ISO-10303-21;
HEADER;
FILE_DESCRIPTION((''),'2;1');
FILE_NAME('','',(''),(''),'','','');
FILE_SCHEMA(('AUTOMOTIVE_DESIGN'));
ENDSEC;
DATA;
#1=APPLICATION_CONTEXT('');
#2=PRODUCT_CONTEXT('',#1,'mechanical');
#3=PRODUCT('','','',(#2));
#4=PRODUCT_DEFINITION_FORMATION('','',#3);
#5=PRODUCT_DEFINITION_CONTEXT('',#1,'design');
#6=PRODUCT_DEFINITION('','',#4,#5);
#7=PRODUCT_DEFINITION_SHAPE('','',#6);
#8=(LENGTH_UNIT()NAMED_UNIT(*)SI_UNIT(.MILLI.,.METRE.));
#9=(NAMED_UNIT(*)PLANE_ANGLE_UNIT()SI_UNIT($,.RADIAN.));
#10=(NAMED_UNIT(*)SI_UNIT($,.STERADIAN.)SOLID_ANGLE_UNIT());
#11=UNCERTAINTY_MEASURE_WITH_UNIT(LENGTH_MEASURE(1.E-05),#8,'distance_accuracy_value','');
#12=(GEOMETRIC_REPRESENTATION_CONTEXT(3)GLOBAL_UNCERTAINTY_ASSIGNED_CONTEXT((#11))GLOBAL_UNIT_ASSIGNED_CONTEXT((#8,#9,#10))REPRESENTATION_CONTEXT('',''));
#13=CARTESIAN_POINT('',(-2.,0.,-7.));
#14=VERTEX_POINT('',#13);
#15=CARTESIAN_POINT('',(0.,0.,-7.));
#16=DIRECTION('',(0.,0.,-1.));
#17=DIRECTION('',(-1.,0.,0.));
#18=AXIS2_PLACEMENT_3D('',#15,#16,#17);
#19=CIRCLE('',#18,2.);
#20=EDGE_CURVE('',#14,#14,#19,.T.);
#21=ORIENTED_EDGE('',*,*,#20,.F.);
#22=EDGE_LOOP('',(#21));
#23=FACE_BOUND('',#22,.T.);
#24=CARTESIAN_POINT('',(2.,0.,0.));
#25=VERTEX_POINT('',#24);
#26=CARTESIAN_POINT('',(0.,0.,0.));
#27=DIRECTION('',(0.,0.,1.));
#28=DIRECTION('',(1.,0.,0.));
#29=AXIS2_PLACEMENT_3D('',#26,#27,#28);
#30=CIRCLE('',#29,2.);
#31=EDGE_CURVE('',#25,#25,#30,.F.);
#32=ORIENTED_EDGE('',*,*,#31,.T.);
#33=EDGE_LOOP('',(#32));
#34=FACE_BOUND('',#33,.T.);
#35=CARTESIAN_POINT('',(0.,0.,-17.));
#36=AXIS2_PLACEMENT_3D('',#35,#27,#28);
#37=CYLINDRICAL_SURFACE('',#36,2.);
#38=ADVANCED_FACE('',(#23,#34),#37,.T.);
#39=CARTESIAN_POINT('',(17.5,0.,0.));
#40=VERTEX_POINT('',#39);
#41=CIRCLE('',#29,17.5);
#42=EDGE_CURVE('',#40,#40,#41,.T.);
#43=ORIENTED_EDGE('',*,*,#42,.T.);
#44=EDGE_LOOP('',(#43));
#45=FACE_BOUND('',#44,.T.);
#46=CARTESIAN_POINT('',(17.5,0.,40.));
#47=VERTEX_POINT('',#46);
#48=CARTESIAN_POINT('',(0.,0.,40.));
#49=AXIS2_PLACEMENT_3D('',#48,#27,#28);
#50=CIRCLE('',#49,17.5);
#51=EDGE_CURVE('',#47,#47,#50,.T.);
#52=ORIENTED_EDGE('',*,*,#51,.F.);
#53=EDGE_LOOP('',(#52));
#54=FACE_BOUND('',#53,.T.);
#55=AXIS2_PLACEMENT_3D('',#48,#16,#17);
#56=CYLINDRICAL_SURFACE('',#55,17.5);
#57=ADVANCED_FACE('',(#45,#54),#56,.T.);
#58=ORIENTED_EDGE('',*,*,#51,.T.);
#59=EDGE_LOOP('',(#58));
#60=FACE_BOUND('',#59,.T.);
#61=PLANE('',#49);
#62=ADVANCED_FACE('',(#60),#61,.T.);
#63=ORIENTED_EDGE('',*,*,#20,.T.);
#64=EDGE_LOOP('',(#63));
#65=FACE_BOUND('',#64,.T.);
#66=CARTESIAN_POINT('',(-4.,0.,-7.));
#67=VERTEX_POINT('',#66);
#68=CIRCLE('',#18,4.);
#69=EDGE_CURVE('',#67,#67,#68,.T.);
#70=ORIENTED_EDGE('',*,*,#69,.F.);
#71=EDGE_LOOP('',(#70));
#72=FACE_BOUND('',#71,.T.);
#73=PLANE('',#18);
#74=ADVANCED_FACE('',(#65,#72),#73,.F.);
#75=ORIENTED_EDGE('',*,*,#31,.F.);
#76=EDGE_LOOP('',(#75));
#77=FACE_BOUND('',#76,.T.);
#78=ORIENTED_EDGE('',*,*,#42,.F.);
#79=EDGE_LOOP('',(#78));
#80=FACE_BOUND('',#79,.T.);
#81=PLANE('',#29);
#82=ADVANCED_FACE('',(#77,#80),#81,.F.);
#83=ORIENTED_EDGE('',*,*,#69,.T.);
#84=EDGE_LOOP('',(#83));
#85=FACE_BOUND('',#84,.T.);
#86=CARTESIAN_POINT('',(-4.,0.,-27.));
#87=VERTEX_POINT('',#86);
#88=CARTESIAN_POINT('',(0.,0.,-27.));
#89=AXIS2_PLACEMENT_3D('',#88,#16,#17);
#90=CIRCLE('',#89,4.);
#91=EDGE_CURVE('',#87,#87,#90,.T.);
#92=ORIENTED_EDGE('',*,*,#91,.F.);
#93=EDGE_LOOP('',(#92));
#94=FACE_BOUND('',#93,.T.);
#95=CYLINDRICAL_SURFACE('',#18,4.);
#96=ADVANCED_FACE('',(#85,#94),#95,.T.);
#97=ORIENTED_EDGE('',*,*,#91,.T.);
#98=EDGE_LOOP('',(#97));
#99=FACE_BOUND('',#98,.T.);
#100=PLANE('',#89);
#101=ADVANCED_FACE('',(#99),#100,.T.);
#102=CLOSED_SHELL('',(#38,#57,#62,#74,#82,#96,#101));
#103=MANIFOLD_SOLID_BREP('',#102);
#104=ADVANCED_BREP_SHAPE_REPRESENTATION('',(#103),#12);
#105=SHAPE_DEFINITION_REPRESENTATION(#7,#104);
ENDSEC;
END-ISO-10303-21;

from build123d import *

# Parameters (mm, degrees)
SKETCH1_R                = 17.5
BOSS_EXTRUDE1_DEPTH      = 40
SKETCH2_R                = 2
BOSS_EXTRUDE2_DEPTH      = 17
BOSS_EXTRUDE3_DEPTH      = 10
BOSS_EXTRUDE3_DEPTH_BACK = 10
SKETCH3_R                = 4


with BuildPart() as part:
    # Sketch1 → Boss-Extrude1 (new body)
    with BuildSketch(Plane.XY):
        Circle(SKETCH1_R)
    extrude(amount=BOSS_EXTRUDE1_DEPTH)

    # Sketch2 → Boss-Extrude2 (add)
    with BuildSketch(Plane(origin=(0, 0, 0), x_dir=(-1, 0, 0), z_dir=(0, 0, -1))):
        with Locations(Location((0, 0, 0), (0, 0, 180))):
            Circle(SKETCH2_R)
    extrude(amount=BOSS_EXTRUDE2_DEPTH)

    # Sketch3 → Boss-Extrude3 (add, two sides: drawn at the far end of the back side and taken through both)
    with BuildSketch(Plane(origin=(0, 0, -17), x_dir=(-1, 0, 0), z_dir=(0, 0, -1)).offset(-BOSS_EXTRUDE3_DEPTH_BACK)):
        Circle(SKETCH3_R)
    extrude(amount=BOSS_EXTRUDE3_DEPTH + BOSS_EXTRUDE3_DEPTH_BACK)


solid = part.part
